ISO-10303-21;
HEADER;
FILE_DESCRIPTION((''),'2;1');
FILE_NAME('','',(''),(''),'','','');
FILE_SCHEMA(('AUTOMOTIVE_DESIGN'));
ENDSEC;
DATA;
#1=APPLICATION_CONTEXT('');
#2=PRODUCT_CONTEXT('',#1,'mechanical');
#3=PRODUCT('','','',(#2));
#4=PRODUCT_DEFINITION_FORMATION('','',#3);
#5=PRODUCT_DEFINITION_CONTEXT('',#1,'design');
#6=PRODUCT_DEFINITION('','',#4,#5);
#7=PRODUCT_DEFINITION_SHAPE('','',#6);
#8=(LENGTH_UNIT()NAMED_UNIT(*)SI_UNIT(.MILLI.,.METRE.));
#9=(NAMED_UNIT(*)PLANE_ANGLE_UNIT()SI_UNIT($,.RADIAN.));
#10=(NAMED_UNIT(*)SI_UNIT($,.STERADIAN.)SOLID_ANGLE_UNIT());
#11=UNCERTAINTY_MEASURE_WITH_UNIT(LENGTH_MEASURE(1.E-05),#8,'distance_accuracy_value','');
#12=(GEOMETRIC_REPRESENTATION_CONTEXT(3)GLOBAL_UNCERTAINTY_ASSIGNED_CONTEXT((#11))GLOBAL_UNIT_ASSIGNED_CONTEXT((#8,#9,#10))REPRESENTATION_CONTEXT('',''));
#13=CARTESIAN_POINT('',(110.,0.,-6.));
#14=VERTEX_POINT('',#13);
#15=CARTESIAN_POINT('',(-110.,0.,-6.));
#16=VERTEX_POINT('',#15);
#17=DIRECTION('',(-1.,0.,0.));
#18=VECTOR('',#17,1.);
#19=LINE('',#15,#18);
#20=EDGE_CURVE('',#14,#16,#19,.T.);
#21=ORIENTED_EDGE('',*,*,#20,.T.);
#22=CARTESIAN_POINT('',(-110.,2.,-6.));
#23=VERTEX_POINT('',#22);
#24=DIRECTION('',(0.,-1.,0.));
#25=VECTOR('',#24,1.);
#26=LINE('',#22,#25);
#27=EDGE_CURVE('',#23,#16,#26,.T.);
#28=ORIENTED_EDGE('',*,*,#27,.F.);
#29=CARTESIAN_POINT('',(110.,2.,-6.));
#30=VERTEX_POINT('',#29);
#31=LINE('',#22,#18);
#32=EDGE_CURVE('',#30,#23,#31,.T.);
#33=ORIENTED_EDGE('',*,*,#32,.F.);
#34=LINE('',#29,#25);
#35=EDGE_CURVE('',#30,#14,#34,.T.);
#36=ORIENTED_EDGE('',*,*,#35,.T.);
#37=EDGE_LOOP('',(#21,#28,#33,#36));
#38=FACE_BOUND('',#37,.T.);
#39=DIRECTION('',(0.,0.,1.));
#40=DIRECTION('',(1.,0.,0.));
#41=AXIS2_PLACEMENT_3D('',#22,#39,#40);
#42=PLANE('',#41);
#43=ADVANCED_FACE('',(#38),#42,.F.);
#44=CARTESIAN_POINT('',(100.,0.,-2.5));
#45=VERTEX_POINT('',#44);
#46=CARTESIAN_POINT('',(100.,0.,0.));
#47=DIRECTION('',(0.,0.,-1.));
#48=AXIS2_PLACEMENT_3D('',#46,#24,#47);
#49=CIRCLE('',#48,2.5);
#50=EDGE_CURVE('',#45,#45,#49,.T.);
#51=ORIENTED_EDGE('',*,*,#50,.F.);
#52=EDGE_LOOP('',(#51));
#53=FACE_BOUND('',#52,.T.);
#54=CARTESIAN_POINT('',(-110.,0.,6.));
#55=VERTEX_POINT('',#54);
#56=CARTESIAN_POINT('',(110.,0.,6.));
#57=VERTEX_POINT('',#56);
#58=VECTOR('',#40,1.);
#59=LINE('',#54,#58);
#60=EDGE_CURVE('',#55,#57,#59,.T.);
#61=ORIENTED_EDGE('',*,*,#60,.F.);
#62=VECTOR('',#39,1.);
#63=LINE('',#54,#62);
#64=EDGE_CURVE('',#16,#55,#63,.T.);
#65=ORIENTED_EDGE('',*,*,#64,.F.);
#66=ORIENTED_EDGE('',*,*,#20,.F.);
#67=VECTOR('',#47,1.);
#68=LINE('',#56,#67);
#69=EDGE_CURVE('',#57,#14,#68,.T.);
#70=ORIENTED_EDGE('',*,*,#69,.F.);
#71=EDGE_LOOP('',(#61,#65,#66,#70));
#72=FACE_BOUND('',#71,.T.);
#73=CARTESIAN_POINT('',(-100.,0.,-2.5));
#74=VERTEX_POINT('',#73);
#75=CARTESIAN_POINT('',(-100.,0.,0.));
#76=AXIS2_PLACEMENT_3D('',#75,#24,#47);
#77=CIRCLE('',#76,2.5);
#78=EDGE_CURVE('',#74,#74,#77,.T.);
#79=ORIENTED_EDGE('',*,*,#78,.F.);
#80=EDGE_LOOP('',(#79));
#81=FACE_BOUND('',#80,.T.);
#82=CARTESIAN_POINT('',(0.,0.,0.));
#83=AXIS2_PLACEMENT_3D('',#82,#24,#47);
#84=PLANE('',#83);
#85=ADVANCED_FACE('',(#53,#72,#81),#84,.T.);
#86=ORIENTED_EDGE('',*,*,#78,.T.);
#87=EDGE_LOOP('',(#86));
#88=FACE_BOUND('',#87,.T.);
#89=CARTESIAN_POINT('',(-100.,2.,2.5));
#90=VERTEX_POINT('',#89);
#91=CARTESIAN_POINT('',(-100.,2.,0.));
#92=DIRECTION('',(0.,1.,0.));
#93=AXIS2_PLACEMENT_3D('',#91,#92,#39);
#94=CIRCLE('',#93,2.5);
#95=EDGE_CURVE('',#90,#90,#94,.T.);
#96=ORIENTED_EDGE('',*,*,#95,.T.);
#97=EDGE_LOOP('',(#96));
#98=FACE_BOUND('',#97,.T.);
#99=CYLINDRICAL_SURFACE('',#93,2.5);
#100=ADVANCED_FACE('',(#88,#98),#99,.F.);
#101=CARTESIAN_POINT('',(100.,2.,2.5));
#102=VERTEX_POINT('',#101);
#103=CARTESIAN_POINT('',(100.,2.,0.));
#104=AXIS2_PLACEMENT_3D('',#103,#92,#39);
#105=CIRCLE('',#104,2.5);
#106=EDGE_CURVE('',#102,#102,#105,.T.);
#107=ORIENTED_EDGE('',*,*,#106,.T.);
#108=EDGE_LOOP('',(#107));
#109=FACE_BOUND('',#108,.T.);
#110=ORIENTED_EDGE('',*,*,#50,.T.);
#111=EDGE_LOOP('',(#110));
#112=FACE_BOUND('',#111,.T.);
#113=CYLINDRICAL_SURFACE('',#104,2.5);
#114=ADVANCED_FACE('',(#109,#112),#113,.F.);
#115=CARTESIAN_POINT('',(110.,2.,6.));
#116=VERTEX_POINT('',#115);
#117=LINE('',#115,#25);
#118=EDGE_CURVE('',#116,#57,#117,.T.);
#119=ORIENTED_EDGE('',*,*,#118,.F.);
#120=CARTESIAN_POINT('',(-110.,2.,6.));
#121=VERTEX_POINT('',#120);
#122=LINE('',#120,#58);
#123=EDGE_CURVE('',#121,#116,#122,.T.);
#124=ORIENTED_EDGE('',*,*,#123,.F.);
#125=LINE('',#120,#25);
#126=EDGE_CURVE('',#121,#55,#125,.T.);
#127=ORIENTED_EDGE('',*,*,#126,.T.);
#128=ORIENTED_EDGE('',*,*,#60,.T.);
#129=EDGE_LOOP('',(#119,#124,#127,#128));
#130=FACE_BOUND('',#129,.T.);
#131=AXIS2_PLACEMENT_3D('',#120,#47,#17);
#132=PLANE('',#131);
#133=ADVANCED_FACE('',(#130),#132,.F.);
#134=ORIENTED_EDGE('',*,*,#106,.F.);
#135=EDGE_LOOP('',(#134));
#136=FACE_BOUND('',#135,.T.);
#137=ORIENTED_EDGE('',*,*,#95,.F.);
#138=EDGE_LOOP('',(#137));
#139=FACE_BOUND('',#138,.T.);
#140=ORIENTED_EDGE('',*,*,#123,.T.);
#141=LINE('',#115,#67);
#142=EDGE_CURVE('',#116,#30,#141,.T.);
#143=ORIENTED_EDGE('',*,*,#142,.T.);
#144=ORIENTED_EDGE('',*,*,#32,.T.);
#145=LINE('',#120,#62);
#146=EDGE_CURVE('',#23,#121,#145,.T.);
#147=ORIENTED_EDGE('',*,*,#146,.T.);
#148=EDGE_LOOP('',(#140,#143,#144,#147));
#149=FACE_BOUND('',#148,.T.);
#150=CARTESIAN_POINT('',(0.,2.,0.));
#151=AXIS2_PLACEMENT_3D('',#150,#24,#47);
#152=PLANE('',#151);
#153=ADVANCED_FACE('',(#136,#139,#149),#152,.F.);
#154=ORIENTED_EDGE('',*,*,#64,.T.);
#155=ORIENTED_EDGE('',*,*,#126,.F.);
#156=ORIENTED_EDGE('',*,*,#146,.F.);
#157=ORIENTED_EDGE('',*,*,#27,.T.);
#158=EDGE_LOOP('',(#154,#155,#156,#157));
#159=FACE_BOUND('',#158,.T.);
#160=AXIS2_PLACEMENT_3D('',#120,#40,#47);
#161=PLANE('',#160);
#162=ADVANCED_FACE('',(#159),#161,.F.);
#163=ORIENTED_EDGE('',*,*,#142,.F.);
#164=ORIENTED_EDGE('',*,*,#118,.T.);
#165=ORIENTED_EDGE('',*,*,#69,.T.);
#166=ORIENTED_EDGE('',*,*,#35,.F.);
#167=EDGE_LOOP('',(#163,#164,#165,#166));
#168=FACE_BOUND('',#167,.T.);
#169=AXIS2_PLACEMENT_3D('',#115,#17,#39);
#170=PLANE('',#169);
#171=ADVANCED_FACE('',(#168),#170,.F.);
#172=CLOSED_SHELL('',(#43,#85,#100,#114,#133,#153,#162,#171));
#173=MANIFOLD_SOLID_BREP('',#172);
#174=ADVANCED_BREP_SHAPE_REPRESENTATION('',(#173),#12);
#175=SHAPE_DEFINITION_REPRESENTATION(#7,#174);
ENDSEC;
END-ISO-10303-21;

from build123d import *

# Parameters (mm, degrees)
SKETCH1_W                 = 220
SKETCH1_H                 = 12
BOSS_EXTRUDE1_DEPTH       = 2
F_5_0MM_DOWEL_HOLE1_D     = 5
F_5_0MM_DOWEL_HOLE1_DEPTH = 2


with BuildPart() as part:
    # Sketch1 → Boss-Extrude1 (new body)
    with BuildSketch(Plane(origin=(0, 0, 0), x_dir=(1, 0, 0), z_dir=(0, 1, 0))):
        Rectangle(SKETCH1_W, SKETCH1_H)
    extrude(amount=BOSS_EXTRUDE1_DEPTH)

    # Ø5.0mm Dowel Hole1
    with Locations(Plane(origin=(0, 2, 0), x_dir=(1, 0, 0), z_dir=(0, 1, 0))):
        with Locations((-100, 0), (100, 0)):
            Hole(F_5_0MM_DOWEL_HOLE1_D / 2, depth=F_5_0MM_DOWEL_HOLE1_DEPTH)


solid = part.part
